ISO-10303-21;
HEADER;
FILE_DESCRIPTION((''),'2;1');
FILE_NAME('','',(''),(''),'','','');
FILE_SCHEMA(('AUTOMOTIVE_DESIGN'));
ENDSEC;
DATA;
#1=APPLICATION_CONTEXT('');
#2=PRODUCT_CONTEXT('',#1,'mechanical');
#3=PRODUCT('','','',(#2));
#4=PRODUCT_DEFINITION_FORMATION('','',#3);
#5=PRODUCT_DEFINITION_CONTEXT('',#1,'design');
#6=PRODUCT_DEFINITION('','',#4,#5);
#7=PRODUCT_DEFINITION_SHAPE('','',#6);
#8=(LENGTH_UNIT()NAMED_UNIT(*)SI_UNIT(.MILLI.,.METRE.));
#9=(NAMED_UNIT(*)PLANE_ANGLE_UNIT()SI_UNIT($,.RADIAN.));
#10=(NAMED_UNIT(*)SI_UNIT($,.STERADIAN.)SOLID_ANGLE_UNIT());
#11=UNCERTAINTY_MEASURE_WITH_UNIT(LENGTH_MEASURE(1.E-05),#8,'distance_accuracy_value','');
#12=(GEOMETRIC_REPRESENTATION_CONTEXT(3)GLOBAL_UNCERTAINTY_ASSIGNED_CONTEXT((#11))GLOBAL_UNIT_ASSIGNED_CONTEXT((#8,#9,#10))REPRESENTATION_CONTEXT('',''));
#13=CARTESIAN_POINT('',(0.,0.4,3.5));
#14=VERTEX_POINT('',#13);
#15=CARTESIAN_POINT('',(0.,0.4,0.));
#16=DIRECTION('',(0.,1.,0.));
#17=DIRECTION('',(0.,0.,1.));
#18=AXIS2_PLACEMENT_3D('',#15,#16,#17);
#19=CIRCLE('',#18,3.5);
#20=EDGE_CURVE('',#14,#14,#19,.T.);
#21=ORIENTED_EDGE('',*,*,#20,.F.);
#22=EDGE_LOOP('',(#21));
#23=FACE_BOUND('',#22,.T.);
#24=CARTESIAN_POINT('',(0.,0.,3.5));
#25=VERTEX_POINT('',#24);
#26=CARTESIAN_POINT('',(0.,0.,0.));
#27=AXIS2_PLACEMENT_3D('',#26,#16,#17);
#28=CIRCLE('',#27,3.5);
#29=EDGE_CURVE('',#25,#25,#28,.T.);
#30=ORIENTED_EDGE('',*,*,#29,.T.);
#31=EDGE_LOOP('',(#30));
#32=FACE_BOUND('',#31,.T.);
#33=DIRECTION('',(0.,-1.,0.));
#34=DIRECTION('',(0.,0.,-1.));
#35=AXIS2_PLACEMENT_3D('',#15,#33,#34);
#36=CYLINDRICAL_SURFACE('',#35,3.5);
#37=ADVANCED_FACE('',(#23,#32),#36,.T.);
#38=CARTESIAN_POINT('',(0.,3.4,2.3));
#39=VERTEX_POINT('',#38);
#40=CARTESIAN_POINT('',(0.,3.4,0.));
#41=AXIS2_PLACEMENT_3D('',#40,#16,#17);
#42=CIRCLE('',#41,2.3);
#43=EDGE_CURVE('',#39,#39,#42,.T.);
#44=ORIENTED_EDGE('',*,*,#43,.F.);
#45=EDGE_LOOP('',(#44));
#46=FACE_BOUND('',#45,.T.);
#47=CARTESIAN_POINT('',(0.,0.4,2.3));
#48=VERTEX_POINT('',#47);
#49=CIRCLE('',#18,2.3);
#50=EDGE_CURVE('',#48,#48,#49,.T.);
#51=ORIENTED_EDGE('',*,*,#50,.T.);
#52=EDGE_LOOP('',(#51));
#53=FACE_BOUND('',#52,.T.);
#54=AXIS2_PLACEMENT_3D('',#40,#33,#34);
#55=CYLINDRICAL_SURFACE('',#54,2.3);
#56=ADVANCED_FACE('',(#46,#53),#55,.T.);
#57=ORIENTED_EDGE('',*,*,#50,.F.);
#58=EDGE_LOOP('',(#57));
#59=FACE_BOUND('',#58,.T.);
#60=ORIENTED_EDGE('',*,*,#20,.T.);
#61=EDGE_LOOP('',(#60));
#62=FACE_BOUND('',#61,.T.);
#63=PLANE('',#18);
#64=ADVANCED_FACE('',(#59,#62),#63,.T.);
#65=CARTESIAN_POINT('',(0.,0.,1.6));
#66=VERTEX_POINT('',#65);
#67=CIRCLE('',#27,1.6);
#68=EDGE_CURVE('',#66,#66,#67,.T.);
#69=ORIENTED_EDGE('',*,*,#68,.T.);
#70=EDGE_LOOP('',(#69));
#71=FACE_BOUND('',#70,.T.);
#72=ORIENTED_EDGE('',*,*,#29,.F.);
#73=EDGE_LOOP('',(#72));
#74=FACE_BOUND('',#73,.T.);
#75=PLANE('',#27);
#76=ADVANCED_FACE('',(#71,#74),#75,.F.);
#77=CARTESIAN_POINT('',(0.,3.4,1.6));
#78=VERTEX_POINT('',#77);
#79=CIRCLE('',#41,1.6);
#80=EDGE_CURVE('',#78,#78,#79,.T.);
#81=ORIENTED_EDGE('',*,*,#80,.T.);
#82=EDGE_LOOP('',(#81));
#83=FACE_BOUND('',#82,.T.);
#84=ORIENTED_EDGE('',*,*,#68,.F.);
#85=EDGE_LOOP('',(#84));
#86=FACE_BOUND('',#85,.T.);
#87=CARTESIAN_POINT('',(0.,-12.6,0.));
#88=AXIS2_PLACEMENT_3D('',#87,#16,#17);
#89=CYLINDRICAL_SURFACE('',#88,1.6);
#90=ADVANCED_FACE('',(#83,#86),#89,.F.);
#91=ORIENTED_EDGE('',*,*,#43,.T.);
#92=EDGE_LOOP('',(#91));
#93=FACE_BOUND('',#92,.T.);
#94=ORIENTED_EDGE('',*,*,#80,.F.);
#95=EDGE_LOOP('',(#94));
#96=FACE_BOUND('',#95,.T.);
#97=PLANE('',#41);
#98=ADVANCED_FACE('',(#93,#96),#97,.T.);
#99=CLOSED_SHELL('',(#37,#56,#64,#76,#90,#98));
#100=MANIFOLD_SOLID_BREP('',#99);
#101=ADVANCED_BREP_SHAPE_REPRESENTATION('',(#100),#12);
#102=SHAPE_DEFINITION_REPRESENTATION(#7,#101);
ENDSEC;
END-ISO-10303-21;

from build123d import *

# Parameters (mm, degrees)
SKETCH1_R           = 3.5
BOSS_EXTRUDE1_DEPTH = 0.4
SKETCH2_R           = 2.3
BOSS_EXTRUDE2_DEPTH = 3
SKETCH3_R           = 1.6
CUT_EXTRUDE1_DEPTH  = 16


with BuildPart() as part:
    # Sketch1 → Boss-Extrude1 (new body)
    with BuildSketch(Plane(origin=(0, 0, 0), x_dir=(1, 0, 0), z_dir=(0, 1, 0))):
        Circle(SKETCH1_R)
    extrude(amount=BOSS_EXTRUDE1_DEPTH)

    # Sketch2 → Boss-Extrude2 (add)
    with BuildSketch(Plane(origin=(0, 0.4, 0), x_dir=(1, 0, 0), z_dir=(0, 1, 0))):
        Circle(SKETCH2_R)
    extrude(amount=BOSS_EXTRUDE2_DEPTH)

    # Sketch3 → Cut-Extrude1 (cut)
    with BuildSketch(Plane(origin=(0, 3.4, 0), x_dir=(1, 0, 0), z_dir=(0, 1, 0))):
        Circle(SKETCH3_R)
    extrude(amount=-CUT_EXTRUDE1_DEPTH, mode=Mode.SUBTRACT)


solid = part.part
